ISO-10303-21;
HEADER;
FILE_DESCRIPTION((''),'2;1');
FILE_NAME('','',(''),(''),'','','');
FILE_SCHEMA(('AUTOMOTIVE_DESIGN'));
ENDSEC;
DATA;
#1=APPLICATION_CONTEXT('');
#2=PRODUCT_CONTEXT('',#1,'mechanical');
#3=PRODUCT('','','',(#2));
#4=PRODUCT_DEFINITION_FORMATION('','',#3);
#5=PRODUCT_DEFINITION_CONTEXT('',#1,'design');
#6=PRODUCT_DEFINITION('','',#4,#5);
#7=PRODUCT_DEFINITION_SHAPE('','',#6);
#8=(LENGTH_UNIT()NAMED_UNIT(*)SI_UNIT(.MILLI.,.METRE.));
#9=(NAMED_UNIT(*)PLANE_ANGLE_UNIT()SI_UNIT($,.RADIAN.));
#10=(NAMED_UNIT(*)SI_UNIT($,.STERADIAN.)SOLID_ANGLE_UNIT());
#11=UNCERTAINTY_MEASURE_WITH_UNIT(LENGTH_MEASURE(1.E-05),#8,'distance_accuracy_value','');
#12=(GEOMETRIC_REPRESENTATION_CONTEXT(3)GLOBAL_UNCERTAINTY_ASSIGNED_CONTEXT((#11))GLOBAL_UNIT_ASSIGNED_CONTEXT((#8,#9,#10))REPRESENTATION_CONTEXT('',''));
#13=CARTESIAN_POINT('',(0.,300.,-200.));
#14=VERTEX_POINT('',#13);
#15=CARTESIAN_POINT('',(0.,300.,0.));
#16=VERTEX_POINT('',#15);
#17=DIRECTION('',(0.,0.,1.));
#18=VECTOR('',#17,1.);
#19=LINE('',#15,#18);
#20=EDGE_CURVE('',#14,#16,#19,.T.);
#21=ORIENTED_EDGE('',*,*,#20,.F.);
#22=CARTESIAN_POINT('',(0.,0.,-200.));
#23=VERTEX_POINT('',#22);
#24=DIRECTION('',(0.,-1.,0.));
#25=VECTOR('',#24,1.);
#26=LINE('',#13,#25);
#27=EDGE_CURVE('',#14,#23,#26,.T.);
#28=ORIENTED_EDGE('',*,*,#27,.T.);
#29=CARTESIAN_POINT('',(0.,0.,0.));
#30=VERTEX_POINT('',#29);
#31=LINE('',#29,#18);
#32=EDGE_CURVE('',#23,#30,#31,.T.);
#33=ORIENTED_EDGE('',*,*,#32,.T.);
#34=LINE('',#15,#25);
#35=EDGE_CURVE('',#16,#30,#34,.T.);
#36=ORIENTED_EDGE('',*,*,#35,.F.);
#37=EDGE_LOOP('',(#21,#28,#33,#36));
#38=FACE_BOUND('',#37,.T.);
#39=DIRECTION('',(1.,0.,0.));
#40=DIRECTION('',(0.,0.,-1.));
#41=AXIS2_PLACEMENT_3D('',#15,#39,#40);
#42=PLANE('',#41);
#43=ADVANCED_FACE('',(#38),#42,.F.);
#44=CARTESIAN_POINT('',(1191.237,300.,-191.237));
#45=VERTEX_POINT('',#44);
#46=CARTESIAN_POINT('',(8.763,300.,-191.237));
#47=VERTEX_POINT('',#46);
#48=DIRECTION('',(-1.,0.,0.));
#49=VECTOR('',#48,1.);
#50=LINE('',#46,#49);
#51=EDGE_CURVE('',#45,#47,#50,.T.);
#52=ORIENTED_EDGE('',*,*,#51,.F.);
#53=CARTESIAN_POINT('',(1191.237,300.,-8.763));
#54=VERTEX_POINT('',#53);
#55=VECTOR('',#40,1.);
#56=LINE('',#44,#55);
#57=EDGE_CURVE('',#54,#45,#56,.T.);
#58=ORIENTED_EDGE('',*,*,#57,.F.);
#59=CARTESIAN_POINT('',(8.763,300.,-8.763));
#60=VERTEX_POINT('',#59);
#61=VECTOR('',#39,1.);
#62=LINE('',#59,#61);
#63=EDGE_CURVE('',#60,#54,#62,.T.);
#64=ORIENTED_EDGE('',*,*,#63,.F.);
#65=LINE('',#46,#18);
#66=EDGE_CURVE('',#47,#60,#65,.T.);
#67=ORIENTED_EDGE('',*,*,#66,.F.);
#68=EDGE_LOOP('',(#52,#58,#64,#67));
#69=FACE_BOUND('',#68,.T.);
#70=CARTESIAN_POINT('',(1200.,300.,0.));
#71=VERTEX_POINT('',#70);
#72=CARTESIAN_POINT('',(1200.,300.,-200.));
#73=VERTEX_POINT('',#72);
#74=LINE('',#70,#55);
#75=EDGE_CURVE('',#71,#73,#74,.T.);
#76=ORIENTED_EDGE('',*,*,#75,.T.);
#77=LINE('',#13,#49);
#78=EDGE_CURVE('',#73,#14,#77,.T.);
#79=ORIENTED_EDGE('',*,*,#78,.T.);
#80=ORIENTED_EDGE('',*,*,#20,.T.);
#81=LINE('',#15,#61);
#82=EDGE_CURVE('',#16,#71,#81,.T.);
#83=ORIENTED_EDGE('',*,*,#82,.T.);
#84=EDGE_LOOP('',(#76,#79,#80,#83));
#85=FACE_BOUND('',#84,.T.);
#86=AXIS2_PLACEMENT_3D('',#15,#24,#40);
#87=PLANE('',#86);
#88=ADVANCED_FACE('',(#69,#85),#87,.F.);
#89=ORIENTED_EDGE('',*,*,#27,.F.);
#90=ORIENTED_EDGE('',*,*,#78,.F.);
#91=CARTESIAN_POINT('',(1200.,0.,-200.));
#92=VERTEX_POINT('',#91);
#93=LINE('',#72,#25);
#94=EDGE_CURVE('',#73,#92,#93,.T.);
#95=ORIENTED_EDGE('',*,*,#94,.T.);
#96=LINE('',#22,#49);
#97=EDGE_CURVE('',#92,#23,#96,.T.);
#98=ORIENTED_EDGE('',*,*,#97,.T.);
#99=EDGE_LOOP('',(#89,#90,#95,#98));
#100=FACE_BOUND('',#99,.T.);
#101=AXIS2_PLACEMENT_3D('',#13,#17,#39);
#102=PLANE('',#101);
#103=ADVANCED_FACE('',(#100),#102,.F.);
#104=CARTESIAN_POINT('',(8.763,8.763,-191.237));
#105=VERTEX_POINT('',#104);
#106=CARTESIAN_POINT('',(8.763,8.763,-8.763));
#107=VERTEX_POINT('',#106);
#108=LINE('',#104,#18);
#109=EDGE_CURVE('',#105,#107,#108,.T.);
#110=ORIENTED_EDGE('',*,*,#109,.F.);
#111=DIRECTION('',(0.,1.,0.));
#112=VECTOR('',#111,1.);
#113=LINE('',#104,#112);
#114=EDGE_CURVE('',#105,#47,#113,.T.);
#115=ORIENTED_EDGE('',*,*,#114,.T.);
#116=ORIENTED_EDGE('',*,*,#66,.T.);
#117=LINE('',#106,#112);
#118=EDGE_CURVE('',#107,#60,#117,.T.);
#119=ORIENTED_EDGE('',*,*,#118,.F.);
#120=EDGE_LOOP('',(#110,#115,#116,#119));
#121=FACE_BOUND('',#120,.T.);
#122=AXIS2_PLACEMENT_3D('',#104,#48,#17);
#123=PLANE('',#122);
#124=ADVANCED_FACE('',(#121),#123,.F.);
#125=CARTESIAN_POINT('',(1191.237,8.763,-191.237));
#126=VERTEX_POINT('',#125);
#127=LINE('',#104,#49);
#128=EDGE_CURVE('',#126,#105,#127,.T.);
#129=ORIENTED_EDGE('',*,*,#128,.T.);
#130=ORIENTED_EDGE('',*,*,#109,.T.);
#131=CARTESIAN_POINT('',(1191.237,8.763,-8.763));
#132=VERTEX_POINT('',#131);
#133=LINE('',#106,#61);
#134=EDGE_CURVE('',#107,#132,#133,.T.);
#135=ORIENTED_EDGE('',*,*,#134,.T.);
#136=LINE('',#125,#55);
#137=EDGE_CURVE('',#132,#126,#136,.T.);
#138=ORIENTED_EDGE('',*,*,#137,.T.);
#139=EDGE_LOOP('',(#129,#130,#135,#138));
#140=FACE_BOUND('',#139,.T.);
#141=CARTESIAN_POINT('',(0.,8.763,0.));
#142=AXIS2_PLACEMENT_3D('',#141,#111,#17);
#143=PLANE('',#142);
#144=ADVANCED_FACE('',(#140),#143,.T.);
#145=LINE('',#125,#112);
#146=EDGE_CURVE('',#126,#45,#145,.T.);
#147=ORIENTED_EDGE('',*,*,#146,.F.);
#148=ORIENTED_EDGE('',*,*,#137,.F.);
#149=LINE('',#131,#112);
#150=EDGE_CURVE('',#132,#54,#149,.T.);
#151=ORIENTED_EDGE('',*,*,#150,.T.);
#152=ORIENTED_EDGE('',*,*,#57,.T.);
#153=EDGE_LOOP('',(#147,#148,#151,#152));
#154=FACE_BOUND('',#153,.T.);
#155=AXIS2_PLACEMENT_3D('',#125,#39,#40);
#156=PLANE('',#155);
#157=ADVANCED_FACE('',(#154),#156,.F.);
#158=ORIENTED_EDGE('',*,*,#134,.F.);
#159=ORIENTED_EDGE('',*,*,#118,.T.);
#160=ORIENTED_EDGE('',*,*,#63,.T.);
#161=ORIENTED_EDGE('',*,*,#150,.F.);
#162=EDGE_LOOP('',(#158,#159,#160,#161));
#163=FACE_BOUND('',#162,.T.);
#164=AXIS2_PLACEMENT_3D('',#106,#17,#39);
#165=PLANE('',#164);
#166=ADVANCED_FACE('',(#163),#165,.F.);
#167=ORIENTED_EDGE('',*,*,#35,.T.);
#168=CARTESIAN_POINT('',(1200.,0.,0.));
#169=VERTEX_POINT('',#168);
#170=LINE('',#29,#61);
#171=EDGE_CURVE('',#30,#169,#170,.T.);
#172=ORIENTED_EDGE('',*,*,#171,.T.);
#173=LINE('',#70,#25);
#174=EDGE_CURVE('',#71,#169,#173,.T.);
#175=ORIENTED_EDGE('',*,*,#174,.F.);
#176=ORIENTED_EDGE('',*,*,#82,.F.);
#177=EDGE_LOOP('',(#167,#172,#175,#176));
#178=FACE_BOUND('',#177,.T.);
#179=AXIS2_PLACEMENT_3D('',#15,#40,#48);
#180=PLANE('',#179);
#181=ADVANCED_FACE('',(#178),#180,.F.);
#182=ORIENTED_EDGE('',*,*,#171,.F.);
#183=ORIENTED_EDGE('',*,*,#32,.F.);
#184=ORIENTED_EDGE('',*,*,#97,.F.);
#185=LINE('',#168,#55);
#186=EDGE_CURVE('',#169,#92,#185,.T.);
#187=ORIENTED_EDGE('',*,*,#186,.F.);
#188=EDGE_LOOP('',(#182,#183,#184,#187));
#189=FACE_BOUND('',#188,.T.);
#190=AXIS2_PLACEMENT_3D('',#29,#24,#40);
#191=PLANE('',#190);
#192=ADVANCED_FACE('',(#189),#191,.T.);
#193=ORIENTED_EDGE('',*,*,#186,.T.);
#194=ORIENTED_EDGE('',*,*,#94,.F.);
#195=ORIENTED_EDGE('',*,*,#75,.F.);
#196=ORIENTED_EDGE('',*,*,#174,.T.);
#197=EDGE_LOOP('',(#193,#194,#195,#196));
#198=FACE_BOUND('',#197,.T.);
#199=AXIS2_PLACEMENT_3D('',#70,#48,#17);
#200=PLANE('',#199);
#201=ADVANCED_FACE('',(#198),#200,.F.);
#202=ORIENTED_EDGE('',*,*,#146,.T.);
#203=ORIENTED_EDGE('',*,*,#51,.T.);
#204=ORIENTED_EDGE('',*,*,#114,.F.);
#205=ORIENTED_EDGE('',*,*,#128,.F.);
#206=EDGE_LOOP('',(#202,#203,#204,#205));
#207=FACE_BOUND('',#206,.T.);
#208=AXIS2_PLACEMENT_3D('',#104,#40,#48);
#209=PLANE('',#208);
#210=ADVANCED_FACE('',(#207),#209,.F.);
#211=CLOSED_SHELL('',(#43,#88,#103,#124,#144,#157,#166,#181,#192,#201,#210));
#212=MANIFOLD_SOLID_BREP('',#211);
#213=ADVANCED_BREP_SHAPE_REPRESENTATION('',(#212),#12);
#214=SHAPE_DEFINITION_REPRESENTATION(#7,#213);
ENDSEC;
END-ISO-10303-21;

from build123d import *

# Parameters (mm, degrees)
SKETCH1_W           = 1200
SKETCH1_H           = 200
BOSS_EXTRUDE1_DEPTH = 300
SKETCH2_W           = 1182.474
SKETCH2_H           = 182.474
CUT_EXTRUDE1_DEPTH  = 291.237


with BuildPart() as part:
    # Sketch1 → Boss-Extrude1 (new body)
    with BuildSketch(Plane(origin=(0, 0, 0), x_dir=(1, 0, 0), z_dir=(0, 1, 0))):
        with Locations((600, 100)):
            Rectangle(SKETCH1_W, SKETCH1_H)
    extrude(amount=BOSS_EXTRUDE1_DEPTH)

    # Sketch2 → Cut-Extrude1 (cut)
    with BuildSketch(Plane(origin=(0, 300, 0), x_dir=(1, 0, 0), z_dir=(0, 1, 0))):
        with Locations((600, 100)):
            Rectangle(SKETCH2_W, SKETCH2_H)
    extrude(amount=-CUT_EXTRUDE1_DEPTH, mode=Mode.SUBTRACT)


solid = part.part
